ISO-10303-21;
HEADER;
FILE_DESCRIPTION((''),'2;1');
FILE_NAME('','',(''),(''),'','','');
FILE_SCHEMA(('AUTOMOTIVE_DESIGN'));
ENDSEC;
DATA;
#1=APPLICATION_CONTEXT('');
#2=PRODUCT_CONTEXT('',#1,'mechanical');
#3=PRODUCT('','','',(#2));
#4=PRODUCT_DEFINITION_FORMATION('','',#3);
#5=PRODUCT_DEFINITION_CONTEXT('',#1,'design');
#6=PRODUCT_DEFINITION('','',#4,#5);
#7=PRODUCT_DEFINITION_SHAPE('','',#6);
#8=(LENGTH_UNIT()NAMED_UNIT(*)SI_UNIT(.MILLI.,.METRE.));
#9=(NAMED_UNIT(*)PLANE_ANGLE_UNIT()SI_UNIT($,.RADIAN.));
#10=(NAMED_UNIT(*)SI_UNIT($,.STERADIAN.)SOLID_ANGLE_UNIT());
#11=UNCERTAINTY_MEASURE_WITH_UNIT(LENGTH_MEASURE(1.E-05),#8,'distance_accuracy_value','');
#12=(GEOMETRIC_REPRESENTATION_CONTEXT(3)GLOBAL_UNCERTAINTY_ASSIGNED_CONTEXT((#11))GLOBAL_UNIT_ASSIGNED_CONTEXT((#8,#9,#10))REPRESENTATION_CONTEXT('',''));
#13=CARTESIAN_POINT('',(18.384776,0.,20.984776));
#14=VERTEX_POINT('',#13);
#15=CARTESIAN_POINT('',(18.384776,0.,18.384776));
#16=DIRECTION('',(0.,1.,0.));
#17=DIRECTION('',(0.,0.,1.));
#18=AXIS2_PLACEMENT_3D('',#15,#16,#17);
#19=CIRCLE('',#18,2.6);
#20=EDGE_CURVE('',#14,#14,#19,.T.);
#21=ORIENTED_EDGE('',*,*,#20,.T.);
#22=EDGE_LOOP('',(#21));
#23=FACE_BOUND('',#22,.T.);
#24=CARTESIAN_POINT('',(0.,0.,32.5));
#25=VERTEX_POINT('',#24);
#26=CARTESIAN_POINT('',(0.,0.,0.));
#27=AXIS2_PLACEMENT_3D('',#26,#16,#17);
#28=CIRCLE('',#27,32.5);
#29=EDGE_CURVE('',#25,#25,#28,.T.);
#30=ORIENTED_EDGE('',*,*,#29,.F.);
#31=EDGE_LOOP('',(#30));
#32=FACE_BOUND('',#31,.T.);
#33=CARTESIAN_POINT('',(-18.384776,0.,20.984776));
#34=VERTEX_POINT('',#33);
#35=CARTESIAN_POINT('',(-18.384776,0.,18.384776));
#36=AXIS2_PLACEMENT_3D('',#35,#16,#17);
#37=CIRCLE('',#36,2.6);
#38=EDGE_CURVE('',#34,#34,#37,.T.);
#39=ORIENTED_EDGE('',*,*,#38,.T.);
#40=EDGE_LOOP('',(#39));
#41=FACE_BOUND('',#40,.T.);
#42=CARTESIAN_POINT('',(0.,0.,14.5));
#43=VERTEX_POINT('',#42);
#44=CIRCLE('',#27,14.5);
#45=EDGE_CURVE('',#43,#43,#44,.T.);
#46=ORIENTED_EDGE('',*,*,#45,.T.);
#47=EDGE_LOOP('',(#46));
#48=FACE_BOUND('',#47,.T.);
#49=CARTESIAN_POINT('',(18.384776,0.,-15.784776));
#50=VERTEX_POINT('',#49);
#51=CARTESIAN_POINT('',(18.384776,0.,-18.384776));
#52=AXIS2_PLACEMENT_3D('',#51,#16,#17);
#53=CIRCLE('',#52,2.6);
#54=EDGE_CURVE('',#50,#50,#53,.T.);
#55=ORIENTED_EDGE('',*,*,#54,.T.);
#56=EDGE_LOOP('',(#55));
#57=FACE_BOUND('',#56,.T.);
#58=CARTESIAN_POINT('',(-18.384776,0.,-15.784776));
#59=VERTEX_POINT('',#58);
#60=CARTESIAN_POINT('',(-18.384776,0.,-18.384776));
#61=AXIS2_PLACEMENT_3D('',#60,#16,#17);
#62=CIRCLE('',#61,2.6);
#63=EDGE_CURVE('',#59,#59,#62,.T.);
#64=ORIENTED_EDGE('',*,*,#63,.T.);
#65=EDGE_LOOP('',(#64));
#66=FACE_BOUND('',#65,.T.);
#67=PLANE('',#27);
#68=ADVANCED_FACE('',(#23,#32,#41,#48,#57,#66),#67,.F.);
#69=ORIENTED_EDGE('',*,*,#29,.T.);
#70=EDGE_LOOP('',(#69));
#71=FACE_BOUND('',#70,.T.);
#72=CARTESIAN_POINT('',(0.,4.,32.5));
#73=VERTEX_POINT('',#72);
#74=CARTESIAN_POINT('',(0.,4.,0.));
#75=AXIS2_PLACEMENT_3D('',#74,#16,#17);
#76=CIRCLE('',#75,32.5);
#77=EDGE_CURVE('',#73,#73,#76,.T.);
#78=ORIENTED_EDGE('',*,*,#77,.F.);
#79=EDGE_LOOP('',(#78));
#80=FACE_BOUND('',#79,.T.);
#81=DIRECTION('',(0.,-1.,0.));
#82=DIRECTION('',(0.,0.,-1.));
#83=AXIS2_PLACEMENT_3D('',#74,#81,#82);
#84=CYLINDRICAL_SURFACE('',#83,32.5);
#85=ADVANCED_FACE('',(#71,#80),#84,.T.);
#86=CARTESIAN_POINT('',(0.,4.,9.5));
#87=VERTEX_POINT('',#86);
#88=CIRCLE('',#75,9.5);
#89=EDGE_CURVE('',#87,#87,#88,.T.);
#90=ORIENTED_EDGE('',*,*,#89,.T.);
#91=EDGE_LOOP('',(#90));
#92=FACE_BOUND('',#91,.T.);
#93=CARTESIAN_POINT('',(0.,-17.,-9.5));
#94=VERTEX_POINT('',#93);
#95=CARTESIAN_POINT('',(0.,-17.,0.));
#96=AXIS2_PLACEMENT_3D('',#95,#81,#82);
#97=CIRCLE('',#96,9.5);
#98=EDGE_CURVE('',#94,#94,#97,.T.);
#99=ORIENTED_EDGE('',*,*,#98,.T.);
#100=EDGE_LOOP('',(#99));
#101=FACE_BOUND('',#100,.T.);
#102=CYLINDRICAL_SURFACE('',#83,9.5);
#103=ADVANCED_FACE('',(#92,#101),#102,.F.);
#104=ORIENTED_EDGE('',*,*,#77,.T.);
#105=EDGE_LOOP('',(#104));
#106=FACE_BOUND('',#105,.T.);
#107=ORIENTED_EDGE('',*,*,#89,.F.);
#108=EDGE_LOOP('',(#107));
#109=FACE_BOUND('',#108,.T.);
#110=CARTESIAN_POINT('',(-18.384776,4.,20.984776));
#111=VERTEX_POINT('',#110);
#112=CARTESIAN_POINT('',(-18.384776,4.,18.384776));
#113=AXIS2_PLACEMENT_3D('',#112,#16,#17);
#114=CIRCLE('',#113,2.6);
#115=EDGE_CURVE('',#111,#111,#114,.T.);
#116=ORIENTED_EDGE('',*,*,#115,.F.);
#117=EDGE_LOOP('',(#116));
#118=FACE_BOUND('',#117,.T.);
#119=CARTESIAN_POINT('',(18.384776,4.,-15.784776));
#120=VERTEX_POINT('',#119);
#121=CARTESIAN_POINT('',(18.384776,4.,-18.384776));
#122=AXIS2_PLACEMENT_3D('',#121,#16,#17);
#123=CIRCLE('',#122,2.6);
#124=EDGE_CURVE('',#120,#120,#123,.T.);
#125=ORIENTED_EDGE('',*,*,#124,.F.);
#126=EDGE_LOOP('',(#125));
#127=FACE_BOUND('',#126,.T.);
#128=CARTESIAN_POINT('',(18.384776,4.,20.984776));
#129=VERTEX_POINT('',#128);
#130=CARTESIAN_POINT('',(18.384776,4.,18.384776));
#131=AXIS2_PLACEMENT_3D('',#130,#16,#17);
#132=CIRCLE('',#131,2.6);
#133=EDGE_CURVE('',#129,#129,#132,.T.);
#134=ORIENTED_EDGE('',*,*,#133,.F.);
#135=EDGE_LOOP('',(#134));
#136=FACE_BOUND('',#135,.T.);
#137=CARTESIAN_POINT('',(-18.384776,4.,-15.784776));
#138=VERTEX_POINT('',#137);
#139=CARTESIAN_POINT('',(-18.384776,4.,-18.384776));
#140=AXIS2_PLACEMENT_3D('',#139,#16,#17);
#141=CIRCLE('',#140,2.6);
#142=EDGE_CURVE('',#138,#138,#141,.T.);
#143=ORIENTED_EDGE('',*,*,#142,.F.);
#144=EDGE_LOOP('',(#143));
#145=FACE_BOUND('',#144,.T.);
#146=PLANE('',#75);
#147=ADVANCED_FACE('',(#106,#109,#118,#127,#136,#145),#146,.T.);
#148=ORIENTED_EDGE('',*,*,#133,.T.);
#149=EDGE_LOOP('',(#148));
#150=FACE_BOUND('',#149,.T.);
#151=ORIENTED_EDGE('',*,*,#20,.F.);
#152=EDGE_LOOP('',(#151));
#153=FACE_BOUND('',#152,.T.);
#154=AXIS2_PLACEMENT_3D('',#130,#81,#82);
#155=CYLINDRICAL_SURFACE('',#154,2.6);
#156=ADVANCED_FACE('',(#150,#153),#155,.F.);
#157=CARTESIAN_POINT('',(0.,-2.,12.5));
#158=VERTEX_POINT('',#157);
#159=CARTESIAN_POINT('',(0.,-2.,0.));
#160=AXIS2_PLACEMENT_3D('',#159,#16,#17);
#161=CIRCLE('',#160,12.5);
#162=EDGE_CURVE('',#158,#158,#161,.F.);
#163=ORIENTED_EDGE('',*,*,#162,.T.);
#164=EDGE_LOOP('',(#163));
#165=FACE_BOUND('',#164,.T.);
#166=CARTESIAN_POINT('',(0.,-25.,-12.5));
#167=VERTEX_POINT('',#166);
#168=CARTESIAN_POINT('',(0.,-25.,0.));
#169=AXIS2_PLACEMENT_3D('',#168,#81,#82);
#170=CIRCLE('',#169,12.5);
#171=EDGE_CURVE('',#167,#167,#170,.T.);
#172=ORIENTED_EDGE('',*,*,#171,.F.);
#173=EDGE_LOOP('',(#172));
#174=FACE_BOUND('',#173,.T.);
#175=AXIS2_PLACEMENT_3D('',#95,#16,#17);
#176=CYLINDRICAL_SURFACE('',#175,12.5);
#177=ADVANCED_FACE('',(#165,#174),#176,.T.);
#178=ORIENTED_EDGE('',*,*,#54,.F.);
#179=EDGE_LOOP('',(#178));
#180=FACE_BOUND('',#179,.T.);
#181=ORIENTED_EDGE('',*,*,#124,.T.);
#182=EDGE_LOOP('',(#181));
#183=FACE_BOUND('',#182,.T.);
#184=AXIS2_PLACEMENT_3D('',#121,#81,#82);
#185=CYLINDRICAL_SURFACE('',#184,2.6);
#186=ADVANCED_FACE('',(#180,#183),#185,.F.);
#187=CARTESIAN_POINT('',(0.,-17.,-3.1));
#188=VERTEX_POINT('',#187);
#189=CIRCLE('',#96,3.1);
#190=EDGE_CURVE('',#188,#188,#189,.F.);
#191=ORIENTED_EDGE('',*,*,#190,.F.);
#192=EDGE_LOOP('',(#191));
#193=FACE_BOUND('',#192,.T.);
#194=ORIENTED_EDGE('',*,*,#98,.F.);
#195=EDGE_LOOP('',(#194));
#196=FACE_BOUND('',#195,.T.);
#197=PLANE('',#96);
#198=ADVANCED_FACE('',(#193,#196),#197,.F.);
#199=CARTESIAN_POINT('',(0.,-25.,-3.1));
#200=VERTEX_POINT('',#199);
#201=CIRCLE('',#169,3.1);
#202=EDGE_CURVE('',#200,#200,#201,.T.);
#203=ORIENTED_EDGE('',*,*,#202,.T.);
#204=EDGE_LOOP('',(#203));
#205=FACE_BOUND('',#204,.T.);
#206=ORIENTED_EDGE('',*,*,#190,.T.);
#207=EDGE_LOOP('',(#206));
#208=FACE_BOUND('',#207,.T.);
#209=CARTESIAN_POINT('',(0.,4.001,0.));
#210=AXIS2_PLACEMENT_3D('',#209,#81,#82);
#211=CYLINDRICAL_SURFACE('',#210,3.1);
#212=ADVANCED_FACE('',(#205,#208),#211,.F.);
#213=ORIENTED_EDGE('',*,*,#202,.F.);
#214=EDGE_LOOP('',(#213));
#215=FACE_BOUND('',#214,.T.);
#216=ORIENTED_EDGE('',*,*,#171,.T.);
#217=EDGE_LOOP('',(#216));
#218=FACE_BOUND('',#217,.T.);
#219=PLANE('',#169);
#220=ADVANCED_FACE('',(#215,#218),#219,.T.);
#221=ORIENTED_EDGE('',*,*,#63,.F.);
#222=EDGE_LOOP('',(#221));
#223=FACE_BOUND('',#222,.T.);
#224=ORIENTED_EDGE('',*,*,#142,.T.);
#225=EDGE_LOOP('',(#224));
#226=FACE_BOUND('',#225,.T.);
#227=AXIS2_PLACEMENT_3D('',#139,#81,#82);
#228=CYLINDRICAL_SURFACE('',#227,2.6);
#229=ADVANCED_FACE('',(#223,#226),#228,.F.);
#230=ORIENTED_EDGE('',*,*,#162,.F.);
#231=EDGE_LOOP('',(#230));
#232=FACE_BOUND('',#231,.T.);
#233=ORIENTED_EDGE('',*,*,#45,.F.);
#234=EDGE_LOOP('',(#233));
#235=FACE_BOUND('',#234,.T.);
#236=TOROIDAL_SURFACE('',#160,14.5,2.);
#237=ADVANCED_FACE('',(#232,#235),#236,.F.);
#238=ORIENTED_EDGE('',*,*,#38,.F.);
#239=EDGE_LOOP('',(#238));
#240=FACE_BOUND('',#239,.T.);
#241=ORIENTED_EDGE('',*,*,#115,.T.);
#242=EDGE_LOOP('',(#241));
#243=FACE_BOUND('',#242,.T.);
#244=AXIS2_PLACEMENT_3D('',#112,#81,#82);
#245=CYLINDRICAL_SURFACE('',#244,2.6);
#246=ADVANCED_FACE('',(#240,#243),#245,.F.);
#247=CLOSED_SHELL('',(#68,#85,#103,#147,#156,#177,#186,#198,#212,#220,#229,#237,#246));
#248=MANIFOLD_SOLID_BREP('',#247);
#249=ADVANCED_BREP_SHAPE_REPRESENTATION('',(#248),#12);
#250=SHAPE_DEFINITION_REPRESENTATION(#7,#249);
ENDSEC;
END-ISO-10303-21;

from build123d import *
from build123d.topology import SkipClean

# Parameters (mm, degrees)
SKETCH1_R           = 32.5
SKETCH1_R_2         = 9.5
SKETCH1_R_3         = 2.6
BOSS_EXTRUDE1_DEPTH = 4
BOSS_EXTRUDE2_START = 17
SKETCH2_R           = 12.5
SKETCH2_R_2         = 9.5
BOSS_EXTRUDE2_DEPTH = 17
BOSS_EXTRUDE3_START = 8
SKETCH3_R           = 12.5
BOSS_EXTRUDE3_DEPTH = 8
CUT_EXTRUDE3_REACH  = 56.346
SKETCH4_R           = 3.1
FILLET1_R           = 2


with BuildPart() as part:
    # Sketch1 → Boss-Extrude1 (new body)
    with BuildSketch(Plane(origin=(0, 0, 0), x_dir=(1, 0, 0), z_dir=(0, 1, 0))):
        with Locations(Location((0, 0, 0), (0, 0, 270))):
            Circle(SKETCH1_R)
        with Locations(Location((0, 0, 0), (0, 0, 270))):
            Circle(SKETCH1_R_2, mode=Mode.SUBTRACT)
        with Locations(Location((18.384776311, -18.384776311, 0), (0, 0, 270))):
            Circle(SKETCH1_R_3, mode=Mode.SUBTRACT)
        with Locations(Location((-18.384776311, -18.384776311, 0), (0, 0, 270))):
            Circle(SKETCH1_R_3, mode=Mode.SUBTRACT)
        with Locations(Location((-18.384776311, 18.384776311, 0), (0, 0, 270))):
            Circle(SKETCH1_R_3, mode=Mode.SUBTRACT)
        with Locations(Location((18.384776311, 18.384776311, 0), (0, 0, 270))):
            Circle(SKETCH1_R_3, mode=Mode.SUBTRACT)
    extrude(amount=BOSS_EXTRUDE1_DEPTH)

    # Sketch2 → Boss-Extrude2 (add)
    with SkipClean():  # the faces are left unmerged after this step: merging them gives an invalid solid
        with BuildSketch(Plane.XZ.offset(BOSS_EXTRUDE2_START)):
            with Locations(Location((0, 0, 0), (0, 0, 90))):
                Circle(SKETCH2_R)
            with Locations(Location((0, 0, 0), (0, 0, 270))):
                Circle(SKETCH2_R_2, mode=Mode.SUBTRACT)
        extrude(amount=-BOSS_EXTRUDE2_DEPTH)

    # Sketch3 → Boss-Extrude3 (add)
    with SkipClean():  # the faces are left unmerged after this step: merging them gives an invalid solid
        with BuildSketch(Plane.XZ.offset(17).offset(BOSS_EXTRUDE3_START)):
            with Locations(Location((0, 0, 0), (0, 0, 90))):
                Circle(SKETCH3_R)
        extrude(amount=-BOSS_EXTRUDE3_DEPTH)

    # Sketch4 → Cut-Extrude3 (cut, up to next)
    with BuildSketch(Plane.XZ.offset(25), mode=Mode.PRIVATE) as cut_extrude3_sk1:
        with Locations(Location((0, 0, 0), (0, 0, 270))):
            Circle(SKETCH4_R)
    cut_extrude3_tool1 = extrude(cut_extrude3_sk1.sketch, amount=-CUT_EXTRUDE3_REACH, mode=Mode.PRIVATE) & part.part
    add(cut_extrude3_tool1.solids().sort_by_distance((0, -25, 0))[0], mode=Mode.SUBTRACT)

    # Fillet1
    fillet1_edges = [part.edges().sort_by_distance(p)[0] for p in [
        (0, 0, -12.5),
    ]]
    fillet(fillet1_edges, radius=FILLET1_R)


solid = part.part
